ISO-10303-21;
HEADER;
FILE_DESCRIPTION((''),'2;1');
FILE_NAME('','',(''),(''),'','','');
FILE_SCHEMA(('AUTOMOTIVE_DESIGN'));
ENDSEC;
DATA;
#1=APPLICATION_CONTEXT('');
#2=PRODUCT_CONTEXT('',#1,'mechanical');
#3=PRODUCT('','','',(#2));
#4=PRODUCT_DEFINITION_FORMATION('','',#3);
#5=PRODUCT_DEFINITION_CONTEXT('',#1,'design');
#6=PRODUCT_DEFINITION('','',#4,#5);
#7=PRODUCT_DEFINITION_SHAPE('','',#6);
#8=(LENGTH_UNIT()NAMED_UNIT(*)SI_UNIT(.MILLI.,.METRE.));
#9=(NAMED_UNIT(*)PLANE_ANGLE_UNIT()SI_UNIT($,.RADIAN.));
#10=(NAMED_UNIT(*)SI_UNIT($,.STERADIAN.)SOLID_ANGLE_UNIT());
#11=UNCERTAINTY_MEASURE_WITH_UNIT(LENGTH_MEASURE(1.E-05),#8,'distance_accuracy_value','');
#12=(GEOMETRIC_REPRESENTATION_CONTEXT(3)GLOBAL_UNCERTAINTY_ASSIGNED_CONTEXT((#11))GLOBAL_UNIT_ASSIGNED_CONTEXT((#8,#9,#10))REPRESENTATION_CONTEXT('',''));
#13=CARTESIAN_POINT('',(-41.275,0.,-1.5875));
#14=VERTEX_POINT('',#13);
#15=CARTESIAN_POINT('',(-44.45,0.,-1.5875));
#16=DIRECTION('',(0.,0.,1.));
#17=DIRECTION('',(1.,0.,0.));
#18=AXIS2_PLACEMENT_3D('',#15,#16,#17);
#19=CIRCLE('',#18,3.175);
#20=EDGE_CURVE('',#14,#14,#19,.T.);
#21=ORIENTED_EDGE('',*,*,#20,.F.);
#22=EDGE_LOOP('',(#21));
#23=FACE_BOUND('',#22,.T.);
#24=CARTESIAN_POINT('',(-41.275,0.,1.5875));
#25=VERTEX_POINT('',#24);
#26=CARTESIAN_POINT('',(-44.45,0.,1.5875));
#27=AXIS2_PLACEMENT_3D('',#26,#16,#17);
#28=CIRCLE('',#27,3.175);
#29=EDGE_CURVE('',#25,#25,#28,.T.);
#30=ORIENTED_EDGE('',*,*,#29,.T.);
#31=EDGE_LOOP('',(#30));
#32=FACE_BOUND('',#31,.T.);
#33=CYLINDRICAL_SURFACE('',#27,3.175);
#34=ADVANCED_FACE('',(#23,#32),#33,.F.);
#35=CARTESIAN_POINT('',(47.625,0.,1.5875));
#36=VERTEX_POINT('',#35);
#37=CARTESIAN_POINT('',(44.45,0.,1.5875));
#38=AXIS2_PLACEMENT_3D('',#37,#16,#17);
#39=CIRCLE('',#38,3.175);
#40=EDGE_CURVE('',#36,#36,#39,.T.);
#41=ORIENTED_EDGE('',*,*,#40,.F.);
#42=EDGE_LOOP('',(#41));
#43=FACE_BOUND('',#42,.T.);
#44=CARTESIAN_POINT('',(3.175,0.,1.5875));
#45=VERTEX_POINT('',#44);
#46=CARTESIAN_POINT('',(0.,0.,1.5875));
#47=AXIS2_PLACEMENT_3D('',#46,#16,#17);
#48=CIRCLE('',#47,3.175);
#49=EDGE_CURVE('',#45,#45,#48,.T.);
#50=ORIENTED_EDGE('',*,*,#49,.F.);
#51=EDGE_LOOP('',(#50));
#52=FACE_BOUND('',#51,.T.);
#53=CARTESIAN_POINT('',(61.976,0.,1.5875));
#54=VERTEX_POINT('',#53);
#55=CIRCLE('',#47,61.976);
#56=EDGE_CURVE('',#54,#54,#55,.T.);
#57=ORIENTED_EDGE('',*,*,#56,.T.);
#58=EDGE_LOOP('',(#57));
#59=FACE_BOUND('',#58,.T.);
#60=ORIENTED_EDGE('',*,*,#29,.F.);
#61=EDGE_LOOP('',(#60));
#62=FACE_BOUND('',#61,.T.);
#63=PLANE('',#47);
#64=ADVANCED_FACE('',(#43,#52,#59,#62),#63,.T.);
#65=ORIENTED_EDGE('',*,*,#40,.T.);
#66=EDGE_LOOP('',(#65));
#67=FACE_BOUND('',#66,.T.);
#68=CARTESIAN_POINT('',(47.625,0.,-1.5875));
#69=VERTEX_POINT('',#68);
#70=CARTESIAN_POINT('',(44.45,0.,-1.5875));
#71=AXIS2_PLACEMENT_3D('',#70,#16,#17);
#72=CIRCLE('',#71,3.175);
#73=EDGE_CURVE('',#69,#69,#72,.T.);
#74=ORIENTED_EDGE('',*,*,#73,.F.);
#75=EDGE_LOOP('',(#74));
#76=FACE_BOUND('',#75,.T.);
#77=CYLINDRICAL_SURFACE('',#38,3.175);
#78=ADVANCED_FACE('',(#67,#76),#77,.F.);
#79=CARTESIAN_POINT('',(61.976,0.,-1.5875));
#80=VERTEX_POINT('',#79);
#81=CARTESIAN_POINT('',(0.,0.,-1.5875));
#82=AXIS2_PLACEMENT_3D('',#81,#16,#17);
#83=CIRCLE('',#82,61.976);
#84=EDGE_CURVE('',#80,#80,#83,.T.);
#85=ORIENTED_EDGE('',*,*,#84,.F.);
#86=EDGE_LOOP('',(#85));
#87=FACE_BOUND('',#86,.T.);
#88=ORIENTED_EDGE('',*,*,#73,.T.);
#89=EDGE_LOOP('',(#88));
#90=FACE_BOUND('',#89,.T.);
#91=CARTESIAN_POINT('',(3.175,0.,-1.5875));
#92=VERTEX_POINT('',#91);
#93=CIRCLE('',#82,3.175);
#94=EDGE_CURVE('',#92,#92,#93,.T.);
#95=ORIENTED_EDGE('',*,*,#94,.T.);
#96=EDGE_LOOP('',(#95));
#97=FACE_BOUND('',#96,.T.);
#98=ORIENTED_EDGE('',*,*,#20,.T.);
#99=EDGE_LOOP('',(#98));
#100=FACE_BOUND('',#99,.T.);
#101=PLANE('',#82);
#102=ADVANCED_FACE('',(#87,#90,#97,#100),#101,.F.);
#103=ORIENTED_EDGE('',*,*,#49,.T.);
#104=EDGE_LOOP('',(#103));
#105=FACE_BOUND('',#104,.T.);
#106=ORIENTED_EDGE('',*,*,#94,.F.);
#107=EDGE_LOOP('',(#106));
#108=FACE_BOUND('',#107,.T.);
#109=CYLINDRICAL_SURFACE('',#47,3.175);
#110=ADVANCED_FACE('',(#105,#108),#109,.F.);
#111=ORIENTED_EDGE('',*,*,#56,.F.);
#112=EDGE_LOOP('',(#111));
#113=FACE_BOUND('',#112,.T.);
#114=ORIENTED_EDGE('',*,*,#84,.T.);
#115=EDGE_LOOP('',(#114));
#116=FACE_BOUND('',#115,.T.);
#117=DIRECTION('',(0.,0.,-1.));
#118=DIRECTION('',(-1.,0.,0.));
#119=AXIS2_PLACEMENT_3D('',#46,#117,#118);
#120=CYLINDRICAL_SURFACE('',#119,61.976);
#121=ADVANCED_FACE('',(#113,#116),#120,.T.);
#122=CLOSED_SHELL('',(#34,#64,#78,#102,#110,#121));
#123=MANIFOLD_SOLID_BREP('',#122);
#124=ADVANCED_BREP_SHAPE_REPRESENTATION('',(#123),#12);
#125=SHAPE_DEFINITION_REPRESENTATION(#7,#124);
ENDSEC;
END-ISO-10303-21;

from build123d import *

# Parameters (mm, degrees)
SKETCH1_R                   = 61.976
BOSS_EXTRUDE1_DEPTH         = 1.5875
F_1_4_0_25_DIAMETER_HOLE1_D = 6.35


with BuildPart() as part:
    # Sketch1 → Boss-Extrude1 (new body, symmetric)
    with BuildSketch(Plane.XY):
        Circle(SKETCH1_R)
    extrude(amount=BOSS_EXTRUDE1_DEPTH, both=True)

    # 1/4 (0.25) Diameter Hole1 (through all)
    with Locations(Plane.XY.offset(1.5875)):
        with Locations((-44.45, 0), (0, 0), (44.45, 0)):
            Hole(F_1_4_0_25_DIAMETER_HOLE1_D / 2)


solid = part.part
